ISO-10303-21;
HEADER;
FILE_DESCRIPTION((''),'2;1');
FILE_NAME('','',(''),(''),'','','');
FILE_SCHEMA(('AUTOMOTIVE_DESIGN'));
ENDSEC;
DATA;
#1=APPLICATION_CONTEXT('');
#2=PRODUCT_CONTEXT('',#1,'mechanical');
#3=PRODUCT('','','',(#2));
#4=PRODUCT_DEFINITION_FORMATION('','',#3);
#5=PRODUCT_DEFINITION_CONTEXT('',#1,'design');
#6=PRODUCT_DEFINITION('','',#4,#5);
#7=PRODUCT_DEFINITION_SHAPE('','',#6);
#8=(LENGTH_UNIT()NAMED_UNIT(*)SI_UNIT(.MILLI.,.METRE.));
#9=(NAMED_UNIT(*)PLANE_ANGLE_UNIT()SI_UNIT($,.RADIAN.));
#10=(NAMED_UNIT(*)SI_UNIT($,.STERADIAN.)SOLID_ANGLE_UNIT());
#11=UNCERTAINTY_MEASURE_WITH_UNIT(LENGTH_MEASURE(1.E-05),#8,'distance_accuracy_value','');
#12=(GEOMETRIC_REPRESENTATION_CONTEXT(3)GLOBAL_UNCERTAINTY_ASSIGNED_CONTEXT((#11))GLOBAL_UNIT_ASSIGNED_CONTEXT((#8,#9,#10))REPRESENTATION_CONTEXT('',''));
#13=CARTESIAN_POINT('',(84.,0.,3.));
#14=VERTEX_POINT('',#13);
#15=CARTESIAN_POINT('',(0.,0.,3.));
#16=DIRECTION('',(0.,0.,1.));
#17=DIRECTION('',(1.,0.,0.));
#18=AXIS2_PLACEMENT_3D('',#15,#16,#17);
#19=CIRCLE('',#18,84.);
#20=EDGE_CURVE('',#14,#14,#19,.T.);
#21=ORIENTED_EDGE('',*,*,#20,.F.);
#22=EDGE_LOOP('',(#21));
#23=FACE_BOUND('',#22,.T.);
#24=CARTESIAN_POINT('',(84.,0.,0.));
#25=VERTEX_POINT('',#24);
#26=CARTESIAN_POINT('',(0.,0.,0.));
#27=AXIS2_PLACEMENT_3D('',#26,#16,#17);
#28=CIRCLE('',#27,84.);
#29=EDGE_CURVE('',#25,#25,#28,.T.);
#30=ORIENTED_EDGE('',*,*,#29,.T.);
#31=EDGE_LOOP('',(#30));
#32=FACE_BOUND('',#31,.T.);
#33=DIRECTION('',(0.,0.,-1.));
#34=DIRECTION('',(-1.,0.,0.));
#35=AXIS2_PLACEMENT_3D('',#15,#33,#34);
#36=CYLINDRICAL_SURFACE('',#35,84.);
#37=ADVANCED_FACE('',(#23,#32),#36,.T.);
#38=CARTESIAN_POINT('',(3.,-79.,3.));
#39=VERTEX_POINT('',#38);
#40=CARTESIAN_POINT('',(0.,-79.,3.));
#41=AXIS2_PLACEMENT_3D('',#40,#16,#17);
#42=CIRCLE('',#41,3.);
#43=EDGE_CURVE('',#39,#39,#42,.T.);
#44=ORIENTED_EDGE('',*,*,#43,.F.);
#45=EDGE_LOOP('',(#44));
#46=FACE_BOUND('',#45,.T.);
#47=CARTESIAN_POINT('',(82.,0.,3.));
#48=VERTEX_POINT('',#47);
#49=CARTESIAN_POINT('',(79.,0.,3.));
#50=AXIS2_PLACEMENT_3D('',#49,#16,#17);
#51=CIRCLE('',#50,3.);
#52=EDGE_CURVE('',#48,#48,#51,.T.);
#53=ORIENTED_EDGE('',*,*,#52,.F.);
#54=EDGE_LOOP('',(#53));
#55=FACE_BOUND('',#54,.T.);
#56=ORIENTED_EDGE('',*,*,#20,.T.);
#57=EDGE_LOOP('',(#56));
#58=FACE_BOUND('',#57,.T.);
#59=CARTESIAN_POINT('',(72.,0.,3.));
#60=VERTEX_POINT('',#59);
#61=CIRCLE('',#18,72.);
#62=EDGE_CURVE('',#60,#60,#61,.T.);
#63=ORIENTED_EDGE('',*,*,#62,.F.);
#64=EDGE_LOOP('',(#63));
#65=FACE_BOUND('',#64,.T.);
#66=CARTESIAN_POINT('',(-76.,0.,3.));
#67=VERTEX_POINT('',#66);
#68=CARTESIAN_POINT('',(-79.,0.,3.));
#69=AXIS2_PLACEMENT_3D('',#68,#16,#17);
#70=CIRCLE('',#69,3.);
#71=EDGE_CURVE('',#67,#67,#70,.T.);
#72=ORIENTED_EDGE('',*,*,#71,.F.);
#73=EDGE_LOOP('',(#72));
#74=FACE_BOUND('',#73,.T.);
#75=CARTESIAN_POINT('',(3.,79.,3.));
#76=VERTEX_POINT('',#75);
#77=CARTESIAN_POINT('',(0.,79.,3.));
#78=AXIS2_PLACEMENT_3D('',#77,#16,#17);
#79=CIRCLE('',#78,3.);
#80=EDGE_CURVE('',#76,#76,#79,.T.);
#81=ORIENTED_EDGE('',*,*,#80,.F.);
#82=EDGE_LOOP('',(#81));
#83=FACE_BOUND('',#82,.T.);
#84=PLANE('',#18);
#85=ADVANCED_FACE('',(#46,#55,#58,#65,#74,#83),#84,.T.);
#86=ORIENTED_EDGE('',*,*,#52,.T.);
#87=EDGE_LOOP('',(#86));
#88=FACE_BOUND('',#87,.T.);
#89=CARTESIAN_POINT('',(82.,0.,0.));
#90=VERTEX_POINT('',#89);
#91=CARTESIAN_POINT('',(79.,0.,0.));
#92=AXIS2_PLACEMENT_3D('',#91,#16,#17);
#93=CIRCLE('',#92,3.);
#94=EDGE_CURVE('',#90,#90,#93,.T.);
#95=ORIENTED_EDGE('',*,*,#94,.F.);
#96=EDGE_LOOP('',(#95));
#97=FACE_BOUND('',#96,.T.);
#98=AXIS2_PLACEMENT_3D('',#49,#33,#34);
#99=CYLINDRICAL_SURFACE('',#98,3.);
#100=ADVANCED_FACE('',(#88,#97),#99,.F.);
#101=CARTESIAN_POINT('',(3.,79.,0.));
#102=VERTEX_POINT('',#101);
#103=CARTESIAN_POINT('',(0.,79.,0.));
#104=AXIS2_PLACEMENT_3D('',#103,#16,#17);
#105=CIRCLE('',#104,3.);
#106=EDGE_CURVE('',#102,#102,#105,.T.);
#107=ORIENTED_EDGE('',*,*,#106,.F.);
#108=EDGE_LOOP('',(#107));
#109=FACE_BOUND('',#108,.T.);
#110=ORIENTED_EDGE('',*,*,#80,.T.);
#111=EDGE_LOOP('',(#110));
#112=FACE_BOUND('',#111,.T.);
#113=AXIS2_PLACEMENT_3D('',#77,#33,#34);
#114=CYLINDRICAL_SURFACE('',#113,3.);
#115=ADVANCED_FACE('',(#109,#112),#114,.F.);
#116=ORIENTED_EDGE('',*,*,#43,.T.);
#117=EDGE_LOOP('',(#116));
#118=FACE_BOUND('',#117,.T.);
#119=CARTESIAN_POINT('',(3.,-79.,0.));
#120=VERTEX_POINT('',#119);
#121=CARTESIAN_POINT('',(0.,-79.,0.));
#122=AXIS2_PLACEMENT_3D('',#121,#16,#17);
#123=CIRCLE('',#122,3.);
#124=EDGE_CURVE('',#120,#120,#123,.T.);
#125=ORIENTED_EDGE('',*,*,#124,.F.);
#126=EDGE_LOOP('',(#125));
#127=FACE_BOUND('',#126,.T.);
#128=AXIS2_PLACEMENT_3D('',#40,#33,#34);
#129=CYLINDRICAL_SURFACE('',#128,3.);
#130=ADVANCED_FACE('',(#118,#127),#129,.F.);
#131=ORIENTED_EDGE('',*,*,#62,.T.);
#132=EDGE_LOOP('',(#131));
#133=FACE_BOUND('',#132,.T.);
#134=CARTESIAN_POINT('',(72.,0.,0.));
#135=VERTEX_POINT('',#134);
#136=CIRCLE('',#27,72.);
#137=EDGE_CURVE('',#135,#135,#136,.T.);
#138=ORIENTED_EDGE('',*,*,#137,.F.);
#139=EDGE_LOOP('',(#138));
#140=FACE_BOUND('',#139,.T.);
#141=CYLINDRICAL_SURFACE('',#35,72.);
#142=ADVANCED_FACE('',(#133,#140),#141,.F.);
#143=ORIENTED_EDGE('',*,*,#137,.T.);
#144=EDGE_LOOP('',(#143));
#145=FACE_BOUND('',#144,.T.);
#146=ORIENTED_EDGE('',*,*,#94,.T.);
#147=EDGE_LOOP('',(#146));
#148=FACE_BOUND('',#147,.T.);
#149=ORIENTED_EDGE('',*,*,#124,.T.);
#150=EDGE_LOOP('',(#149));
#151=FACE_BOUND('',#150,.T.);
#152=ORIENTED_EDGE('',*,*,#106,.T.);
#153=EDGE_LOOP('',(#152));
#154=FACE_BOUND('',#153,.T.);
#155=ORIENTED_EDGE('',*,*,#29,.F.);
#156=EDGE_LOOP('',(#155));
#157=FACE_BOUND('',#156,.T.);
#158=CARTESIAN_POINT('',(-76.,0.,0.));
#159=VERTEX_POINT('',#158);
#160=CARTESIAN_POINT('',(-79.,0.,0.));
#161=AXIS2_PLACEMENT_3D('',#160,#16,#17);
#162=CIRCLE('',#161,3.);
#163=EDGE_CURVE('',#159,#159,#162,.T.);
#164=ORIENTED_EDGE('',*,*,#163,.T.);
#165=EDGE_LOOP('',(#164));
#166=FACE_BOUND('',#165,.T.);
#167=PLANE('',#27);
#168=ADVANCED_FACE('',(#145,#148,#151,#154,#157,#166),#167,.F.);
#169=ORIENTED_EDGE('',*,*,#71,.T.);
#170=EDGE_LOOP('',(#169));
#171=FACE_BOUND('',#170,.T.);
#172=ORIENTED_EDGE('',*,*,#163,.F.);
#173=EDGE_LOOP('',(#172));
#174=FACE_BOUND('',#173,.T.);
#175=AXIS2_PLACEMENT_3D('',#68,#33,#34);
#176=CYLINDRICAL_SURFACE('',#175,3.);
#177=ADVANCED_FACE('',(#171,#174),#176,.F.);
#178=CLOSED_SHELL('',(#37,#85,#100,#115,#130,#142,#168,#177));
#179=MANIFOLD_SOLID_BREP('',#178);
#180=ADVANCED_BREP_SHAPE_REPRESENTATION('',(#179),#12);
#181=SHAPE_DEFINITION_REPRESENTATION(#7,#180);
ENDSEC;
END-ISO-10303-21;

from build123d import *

# Parameters (mm, degrees)
SKETCH_1_R      = 84
SKETCH_1_R_2    = 72
SKETCH_1_R_3    = 3
EXTRUDE_1_DEPTH = 3


with BuildPart() as part:
    # 草图1 → 凸台-拉伸1 (new body)
    with BuildSketch(Plane.XY):
        Circle(SKETCH_1_R)
        Circle(SKETCH_1_R_2, mode=Mode.SUBTRACT)
        with Locations((0, 79)):
            Circle(SKETCH_1_R_3, mode=Mode.SUBTRACT)
        with Locations((79, 0)):
            Circle(SKETCH_1_R_3, mode=Mode.SUBTRACT)
        with Locations((0, -79)):
            Circle(SKETCH_1_R_3, mode=Mode.SUBTRACT)
        with Locations((-79, 0)):
            Circle(SKETCH_1_R_3, mode=Mode.SUBTRACT)
    extrude(amount=EXTRUDE_1_DEPTH)


solid = part.part
